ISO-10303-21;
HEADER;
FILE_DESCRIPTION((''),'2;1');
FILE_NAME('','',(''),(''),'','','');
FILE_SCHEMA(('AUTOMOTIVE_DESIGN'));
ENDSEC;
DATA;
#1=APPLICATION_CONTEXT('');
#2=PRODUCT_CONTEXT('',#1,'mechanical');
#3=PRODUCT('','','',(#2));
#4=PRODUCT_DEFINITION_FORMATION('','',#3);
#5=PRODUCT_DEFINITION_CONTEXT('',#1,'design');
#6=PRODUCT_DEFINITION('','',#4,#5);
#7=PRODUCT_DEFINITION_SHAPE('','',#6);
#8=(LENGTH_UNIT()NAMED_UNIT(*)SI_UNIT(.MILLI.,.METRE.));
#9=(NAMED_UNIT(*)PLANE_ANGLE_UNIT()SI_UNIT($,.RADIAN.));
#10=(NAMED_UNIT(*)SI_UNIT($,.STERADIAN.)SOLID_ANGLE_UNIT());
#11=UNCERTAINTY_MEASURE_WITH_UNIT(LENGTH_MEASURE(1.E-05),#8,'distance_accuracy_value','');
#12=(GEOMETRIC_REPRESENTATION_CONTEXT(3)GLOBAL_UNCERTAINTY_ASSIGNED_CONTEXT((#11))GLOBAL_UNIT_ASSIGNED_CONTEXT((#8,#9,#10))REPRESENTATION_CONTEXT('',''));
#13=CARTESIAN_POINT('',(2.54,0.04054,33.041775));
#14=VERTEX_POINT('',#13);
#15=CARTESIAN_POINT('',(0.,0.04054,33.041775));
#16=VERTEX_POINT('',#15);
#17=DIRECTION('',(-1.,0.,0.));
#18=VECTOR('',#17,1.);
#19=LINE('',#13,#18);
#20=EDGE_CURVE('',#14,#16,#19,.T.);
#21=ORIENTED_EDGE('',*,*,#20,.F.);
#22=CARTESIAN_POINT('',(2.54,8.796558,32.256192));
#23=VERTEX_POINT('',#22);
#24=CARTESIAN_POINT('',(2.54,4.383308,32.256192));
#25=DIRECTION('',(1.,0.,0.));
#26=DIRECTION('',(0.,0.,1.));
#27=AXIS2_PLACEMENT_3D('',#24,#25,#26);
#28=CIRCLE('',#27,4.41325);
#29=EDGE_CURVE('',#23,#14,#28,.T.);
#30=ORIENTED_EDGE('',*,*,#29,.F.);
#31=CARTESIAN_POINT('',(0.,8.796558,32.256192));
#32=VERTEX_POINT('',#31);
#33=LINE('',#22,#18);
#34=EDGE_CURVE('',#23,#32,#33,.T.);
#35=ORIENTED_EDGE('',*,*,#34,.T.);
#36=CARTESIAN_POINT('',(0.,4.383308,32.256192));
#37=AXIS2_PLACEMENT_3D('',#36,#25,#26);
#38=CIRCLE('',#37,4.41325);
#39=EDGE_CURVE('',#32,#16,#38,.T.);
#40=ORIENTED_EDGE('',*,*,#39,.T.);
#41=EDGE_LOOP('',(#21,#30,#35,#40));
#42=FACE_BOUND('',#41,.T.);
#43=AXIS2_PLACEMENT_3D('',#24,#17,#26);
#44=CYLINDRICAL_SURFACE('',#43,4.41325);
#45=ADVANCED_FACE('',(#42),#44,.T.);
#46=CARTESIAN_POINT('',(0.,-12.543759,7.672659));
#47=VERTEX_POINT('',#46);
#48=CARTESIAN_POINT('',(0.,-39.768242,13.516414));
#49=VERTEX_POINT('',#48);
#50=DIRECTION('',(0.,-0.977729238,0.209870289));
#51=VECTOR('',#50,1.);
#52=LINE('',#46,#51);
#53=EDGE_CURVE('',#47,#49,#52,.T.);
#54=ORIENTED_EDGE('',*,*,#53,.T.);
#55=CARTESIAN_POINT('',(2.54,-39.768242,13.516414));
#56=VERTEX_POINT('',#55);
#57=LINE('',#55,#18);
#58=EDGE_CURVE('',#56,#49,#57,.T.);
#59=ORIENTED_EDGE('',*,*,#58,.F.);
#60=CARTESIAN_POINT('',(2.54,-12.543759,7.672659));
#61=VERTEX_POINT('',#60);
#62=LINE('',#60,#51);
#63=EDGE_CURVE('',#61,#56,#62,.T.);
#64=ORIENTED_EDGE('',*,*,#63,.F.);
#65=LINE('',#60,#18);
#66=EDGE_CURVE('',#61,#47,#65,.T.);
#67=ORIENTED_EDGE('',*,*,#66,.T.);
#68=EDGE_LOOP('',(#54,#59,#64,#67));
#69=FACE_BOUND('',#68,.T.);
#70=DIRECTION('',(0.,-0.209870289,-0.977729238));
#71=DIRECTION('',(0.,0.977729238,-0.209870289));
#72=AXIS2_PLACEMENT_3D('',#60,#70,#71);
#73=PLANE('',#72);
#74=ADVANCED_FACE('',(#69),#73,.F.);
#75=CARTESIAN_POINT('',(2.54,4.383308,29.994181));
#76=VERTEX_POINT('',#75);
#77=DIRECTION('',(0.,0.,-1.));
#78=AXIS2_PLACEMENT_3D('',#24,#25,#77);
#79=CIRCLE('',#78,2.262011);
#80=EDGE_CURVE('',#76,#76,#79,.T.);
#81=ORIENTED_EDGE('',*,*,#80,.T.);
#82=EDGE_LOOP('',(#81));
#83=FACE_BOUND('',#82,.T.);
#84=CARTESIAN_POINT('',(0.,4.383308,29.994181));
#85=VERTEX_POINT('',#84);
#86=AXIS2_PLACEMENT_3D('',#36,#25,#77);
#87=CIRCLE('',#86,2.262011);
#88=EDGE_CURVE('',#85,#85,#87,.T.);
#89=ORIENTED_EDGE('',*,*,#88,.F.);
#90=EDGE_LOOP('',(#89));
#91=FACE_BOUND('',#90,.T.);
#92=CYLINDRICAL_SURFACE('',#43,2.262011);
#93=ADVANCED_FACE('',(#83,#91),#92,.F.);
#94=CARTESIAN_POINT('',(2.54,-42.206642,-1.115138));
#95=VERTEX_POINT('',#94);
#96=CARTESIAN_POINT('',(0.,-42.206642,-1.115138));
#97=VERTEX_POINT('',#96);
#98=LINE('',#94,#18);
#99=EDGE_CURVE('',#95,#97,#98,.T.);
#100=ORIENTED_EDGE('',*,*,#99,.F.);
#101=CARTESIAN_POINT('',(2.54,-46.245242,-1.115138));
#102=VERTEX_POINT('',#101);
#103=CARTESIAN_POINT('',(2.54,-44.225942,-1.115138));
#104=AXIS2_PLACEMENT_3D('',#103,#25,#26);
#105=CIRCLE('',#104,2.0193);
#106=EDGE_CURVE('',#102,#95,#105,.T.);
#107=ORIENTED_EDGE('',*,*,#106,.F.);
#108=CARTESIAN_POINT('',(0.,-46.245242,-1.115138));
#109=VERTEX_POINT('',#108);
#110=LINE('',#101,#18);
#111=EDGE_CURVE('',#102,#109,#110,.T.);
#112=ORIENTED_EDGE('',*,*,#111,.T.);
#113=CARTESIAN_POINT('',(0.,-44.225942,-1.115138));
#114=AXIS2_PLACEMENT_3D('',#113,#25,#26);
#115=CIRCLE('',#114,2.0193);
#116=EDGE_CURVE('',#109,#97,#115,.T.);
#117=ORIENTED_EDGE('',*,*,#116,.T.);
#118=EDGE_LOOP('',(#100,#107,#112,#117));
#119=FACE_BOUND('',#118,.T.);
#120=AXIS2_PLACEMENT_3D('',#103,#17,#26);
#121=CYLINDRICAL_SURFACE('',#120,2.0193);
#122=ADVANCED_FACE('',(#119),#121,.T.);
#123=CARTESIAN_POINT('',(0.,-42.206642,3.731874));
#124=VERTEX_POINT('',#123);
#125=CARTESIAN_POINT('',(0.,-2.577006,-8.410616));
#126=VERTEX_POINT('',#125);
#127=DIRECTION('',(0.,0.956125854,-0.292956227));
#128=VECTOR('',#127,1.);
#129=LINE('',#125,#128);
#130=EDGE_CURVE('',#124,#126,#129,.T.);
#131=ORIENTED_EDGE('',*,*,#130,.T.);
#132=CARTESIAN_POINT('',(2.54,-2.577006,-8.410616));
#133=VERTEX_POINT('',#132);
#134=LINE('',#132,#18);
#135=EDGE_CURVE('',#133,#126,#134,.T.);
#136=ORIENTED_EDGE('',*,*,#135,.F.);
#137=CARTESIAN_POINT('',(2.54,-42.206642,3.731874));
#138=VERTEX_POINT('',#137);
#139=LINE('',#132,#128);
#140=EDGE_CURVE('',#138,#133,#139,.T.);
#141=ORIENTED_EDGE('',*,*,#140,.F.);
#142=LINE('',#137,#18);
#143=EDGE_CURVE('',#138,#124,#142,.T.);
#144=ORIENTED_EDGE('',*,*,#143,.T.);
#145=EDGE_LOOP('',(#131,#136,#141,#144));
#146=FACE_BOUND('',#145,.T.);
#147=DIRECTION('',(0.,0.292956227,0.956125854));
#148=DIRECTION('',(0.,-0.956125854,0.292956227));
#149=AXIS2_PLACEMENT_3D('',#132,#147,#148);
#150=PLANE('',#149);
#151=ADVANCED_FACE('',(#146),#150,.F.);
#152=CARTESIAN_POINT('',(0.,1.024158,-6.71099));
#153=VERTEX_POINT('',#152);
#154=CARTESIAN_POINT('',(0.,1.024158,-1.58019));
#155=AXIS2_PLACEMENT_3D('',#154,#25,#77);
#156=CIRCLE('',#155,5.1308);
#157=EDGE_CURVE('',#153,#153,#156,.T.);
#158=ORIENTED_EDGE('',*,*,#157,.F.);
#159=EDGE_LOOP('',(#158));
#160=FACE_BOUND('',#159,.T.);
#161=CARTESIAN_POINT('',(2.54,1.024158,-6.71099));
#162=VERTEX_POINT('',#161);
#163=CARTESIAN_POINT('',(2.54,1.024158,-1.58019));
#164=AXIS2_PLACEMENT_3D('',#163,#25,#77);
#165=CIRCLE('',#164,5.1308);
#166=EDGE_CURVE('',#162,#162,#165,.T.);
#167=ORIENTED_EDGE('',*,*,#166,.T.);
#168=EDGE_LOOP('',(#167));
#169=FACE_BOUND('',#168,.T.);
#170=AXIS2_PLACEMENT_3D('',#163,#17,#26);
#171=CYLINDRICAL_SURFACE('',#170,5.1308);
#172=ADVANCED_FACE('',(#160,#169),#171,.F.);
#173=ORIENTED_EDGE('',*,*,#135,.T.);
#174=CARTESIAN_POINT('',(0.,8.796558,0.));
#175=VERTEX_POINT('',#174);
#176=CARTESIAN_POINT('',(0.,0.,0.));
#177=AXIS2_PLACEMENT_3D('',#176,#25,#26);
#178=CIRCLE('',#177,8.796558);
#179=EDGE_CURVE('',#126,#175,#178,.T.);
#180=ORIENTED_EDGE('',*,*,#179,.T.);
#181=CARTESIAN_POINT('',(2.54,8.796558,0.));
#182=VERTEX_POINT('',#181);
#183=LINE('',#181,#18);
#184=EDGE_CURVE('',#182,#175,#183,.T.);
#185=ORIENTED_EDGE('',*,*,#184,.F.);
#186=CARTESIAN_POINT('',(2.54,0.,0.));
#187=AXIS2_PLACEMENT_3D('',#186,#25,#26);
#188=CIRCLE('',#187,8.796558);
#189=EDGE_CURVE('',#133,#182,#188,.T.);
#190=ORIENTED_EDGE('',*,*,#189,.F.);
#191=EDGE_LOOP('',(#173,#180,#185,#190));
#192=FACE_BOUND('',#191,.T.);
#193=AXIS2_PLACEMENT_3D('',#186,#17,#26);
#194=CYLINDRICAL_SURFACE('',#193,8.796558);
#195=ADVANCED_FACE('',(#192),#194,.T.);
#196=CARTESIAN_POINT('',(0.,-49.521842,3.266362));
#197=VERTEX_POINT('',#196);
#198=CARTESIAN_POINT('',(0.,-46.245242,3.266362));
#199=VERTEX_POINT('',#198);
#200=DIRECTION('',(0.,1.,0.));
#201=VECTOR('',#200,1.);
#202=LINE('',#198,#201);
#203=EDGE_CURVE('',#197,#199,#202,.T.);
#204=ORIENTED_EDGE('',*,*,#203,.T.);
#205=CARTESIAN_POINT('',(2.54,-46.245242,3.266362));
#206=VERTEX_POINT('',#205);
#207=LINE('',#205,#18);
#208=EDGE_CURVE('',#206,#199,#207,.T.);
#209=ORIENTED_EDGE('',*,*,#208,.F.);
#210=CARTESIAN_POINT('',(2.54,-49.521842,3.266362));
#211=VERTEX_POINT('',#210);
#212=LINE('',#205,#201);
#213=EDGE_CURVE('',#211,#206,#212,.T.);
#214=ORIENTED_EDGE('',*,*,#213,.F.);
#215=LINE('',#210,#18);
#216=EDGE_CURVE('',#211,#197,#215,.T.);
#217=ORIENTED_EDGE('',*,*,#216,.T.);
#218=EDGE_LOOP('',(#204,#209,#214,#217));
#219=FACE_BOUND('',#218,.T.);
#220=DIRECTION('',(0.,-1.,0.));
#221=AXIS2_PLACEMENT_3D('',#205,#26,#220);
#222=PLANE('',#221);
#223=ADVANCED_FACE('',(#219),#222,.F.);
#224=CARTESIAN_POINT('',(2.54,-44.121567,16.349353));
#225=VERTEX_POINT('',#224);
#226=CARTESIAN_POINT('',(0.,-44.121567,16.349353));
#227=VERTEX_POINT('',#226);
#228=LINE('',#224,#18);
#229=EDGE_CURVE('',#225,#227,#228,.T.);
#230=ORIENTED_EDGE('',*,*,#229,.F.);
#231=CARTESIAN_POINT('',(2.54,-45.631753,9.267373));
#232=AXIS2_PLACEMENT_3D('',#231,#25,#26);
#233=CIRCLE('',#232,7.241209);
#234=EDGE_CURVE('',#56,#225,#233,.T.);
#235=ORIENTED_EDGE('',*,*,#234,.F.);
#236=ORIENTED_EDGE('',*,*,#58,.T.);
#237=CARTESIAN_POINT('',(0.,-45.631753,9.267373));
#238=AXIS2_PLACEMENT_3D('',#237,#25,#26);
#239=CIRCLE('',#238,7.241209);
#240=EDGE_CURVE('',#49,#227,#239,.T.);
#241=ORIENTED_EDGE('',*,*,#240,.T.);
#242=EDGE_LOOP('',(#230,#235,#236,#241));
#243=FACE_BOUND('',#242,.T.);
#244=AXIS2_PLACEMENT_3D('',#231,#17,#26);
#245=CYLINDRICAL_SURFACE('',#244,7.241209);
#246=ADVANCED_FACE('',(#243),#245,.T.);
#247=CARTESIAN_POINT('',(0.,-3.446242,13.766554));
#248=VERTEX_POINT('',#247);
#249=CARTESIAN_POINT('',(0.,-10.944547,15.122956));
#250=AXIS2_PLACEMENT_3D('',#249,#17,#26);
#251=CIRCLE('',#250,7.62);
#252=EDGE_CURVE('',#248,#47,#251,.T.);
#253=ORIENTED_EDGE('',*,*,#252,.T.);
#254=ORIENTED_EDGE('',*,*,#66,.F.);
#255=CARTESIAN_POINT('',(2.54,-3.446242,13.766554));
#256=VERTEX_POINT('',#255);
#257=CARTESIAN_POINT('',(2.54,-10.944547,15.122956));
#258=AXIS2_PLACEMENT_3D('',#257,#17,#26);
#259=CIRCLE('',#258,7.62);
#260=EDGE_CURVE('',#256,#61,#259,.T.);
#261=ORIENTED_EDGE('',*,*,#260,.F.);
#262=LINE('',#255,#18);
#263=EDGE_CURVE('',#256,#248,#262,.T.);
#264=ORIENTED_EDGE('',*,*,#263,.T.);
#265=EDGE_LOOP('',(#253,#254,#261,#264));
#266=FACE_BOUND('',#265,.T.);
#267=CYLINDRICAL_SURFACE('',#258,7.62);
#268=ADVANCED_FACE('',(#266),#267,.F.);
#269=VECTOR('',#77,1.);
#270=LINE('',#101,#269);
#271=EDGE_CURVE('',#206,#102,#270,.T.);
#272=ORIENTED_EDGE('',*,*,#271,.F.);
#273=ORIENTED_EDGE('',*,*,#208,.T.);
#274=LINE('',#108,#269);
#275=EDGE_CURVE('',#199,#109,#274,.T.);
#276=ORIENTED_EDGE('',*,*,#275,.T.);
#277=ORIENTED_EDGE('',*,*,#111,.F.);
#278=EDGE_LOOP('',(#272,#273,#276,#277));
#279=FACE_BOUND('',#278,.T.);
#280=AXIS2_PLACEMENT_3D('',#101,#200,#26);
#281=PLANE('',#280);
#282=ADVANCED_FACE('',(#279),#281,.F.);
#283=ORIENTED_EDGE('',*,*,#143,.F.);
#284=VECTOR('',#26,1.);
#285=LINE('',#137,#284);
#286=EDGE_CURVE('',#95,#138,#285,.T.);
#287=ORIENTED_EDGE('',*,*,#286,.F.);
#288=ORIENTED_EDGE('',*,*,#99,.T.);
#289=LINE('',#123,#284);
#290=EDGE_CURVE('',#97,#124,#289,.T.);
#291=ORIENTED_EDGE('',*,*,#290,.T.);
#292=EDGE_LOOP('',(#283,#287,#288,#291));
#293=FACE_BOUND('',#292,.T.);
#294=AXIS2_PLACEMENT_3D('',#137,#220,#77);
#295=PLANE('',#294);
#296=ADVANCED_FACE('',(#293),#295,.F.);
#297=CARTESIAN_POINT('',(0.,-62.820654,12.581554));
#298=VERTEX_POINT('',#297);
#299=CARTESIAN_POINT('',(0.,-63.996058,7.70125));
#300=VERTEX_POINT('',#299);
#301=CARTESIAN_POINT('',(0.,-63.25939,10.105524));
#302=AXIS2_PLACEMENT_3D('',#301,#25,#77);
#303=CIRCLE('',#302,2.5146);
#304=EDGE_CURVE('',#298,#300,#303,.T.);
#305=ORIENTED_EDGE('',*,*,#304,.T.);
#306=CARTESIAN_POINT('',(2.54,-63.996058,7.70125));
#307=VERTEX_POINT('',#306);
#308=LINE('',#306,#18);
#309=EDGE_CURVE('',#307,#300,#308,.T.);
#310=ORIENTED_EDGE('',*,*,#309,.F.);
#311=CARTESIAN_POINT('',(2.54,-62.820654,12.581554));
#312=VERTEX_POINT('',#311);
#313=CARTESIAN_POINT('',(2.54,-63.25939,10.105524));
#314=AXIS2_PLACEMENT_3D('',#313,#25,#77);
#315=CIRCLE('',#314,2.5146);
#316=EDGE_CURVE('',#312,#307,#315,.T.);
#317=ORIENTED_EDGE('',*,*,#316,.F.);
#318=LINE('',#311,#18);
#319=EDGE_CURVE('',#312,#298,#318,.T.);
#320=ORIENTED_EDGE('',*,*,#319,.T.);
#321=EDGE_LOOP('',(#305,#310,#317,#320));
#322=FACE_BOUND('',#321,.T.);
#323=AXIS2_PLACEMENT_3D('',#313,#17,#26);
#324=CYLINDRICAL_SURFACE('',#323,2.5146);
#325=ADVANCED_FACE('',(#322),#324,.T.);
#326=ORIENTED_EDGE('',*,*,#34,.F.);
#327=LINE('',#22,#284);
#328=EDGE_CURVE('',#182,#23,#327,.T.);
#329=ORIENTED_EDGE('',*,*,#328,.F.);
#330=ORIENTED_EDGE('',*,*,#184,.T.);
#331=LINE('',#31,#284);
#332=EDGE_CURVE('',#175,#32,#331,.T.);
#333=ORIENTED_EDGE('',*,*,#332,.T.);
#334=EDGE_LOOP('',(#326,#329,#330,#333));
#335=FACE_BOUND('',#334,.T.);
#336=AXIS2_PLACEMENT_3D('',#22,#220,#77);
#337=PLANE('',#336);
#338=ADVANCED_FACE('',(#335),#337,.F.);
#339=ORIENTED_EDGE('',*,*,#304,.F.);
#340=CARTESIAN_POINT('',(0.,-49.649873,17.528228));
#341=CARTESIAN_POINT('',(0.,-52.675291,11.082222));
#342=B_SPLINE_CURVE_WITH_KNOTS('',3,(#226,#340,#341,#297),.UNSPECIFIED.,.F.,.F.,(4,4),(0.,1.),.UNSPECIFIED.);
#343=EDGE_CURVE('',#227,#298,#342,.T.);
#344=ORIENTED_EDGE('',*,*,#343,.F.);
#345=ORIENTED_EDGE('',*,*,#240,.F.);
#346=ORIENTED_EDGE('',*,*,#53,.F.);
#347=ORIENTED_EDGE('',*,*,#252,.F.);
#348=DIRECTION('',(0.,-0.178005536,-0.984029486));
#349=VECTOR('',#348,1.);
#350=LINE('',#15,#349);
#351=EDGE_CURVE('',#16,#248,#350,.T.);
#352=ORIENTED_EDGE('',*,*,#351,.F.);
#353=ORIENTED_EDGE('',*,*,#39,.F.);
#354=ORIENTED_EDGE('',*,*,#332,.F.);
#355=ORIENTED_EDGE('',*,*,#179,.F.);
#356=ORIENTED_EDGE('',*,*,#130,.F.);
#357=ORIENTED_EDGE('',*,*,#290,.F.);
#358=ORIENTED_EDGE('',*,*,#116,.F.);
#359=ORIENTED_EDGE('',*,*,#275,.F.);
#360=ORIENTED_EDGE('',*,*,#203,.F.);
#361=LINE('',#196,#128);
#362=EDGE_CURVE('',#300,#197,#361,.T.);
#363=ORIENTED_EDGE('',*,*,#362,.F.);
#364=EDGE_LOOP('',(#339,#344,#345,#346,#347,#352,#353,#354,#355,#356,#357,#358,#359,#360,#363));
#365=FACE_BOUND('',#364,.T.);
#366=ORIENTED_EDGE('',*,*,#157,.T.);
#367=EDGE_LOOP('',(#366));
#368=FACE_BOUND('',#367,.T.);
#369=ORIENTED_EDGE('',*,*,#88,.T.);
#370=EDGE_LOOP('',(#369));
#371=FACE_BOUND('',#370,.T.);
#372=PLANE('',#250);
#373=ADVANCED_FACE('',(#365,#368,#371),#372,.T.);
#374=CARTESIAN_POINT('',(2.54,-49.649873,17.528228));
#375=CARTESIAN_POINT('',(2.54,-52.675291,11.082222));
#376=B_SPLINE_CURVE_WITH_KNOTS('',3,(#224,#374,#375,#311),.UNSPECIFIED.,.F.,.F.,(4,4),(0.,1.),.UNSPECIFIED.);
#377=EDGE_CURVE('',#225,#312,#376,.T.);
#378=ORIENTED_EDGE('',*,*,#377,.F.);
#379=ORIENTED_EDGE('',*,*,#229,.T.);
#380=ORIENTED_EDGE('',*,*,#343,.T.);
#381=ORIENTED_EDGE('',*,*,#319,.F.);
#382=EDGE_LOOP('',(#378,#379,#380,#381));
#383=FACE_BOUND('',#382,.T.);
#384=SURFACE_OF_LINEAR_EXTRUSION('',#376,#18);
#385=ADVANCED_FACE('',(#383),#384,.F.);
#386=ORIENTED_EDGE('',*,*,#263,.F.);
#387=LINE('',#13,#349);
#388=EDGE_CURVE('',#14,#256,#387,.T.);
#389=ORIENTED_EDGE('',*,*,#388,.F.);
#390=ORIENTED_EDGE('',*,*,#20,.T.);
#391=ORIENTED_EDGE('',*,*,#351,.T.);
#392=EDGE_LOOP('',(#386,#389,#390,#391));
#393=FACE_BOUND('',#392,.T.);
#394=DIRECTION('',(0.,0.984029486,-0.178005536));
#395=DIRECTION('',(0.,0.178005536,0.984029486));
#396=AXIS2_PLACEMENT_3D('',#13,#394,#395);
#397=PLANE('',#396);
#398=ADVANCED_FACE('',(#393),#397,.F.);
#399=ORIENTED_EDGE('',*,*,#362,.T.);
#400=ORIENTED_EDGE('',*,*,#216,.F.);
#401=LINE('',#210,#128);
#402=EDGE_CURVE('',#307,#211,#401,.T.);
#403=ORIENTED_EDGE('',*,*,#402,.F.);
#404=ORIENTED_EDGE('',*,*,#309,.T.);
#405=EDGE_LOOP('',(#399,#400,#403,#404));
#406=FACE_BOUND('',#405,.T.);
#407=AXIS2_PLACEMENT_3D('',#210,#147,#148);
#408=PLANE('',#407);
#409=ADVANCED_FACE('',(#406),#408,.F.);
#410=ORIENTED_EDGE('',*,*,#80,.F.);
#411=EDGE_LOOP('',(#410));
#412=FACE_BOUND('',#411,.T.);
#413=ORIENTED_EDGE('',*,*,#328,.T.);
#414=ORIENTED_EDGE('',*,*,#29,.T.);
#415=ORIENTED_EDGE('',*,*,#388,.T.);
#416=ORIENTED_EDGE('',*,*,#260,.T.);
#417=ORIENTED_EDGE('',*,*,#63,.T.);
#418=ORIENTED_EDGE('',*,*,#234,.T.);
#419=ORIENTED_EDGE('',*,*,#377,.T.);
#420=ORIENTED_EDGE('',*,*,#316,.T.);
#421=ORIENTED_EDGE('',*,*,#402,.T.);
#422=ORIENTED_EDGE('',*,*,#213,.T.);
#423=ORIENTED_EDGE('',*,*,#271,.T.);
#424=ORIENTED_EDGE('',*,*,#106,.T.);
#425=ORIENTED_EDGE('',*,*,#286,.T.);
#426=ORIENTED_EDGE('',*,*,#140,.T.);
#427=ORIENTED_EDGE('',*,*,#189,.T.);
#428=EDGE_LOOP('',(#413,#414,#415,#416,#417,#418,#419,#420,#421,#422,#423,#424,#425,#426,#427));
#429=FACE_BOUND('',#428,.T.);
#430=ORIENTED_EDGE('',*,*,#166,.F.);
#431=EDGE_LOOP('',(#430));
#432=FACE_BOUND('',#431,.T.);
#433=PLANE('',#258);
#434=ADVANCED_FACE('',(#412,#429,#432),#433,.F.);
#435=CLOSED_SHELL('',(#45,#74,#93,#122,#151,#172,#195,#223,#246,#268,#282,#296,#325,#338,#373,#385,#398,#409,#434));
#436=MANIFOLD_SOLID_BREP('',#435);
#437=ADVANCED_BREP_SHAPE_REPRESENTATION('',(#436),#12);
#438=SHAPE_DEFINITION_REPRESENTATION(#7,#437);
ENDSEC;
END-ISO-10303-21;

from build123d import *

# Parameters (mm, degrees)
SKETCH1_R           = 5.1308
SKETCH1_R_2         = 2.262010882
BOSS_EXTRUDE1_DEPTH = 2.54


with BuildPart() as part:
    # Sketch1 → Boss-Extrude1 (new body)
    with BuildSketch(Plane(origin=(0, 0, 0), x_dir=(0, 0, -1), z_dir=(1, 0, 0))):
        with BuildLine():
            Line((-32.256192364, 8.796557636), (0, 8.796557636))
            ThreePointArc((0, 8.796557636), (7.072772121, 5.230231425), (8.410616185, -2.577006332))
            Line((8.410616185, -2.577006332), (-3.731873822, -42.206642364))
            Line((-3.731873822, -42.206642364), (1.115138458, -42.206642364))
            ThreePointArc((1.115138458, -42.206642364), (3.134438458, -44.225942364), (1.115138458, -46.245242364))
            Line((1.115138458, -46.245242364), (-3.266361542, -46.245242364))
            Line((-3.266361542, -46.245242364), (-3.266361542, -49.521842364))
            Line((-3.266361542, -49.521842364), (-7.701250082, -63.996057998))
            ThreePointArc((-7.701250082, -63.996057998), (-10.694320166, -65.70408502), (-12.581554006, -62.820654204))
            add(Edge.make_bspline(
                [(-16.349353221, -44.121567363), (-17.528227781, -49.64987319), (-11.082221769, -52.675290574), (-12.581554006, -62.820654204)],
                knots=[0, 0, 0, 0, 1, 1, 1, 1], degree=3))
            ThreePointArc((-16.349353221, -44.121567363), (-15.336629179, -41.682166261), (-13.516414071, -39.768242364))
            Line((-13.516414071, -39.768242364), (-7.67265893, -12.543758648))
            ThreePointArc((-7.67265893, -12.543758648), (-8.792024721, -6.703826274), (-13.766553539, -3.446242364))
            Line((-13.766553539, -3.446242364), (-33.041775294, 0.040539507))
            ThreePointArc((-33.041775294, 0.040539507), (-36.651786579, 4.777676826), (-32.256192364, 8.796557636))
        make_face()
        with Locations((1.580189797, 1.024157636)):
            Circle(SKETCH1_R, mode=Mode.SUBTRACT)
        with Locations((-32.256192364, 4.383307636)):
            Circle(SKETCH1_R_2, mode=Mode.SUBTRACT)
    extrude(amount=BOSS_EXTRUDE1_DEPTH)


solid = part.part
